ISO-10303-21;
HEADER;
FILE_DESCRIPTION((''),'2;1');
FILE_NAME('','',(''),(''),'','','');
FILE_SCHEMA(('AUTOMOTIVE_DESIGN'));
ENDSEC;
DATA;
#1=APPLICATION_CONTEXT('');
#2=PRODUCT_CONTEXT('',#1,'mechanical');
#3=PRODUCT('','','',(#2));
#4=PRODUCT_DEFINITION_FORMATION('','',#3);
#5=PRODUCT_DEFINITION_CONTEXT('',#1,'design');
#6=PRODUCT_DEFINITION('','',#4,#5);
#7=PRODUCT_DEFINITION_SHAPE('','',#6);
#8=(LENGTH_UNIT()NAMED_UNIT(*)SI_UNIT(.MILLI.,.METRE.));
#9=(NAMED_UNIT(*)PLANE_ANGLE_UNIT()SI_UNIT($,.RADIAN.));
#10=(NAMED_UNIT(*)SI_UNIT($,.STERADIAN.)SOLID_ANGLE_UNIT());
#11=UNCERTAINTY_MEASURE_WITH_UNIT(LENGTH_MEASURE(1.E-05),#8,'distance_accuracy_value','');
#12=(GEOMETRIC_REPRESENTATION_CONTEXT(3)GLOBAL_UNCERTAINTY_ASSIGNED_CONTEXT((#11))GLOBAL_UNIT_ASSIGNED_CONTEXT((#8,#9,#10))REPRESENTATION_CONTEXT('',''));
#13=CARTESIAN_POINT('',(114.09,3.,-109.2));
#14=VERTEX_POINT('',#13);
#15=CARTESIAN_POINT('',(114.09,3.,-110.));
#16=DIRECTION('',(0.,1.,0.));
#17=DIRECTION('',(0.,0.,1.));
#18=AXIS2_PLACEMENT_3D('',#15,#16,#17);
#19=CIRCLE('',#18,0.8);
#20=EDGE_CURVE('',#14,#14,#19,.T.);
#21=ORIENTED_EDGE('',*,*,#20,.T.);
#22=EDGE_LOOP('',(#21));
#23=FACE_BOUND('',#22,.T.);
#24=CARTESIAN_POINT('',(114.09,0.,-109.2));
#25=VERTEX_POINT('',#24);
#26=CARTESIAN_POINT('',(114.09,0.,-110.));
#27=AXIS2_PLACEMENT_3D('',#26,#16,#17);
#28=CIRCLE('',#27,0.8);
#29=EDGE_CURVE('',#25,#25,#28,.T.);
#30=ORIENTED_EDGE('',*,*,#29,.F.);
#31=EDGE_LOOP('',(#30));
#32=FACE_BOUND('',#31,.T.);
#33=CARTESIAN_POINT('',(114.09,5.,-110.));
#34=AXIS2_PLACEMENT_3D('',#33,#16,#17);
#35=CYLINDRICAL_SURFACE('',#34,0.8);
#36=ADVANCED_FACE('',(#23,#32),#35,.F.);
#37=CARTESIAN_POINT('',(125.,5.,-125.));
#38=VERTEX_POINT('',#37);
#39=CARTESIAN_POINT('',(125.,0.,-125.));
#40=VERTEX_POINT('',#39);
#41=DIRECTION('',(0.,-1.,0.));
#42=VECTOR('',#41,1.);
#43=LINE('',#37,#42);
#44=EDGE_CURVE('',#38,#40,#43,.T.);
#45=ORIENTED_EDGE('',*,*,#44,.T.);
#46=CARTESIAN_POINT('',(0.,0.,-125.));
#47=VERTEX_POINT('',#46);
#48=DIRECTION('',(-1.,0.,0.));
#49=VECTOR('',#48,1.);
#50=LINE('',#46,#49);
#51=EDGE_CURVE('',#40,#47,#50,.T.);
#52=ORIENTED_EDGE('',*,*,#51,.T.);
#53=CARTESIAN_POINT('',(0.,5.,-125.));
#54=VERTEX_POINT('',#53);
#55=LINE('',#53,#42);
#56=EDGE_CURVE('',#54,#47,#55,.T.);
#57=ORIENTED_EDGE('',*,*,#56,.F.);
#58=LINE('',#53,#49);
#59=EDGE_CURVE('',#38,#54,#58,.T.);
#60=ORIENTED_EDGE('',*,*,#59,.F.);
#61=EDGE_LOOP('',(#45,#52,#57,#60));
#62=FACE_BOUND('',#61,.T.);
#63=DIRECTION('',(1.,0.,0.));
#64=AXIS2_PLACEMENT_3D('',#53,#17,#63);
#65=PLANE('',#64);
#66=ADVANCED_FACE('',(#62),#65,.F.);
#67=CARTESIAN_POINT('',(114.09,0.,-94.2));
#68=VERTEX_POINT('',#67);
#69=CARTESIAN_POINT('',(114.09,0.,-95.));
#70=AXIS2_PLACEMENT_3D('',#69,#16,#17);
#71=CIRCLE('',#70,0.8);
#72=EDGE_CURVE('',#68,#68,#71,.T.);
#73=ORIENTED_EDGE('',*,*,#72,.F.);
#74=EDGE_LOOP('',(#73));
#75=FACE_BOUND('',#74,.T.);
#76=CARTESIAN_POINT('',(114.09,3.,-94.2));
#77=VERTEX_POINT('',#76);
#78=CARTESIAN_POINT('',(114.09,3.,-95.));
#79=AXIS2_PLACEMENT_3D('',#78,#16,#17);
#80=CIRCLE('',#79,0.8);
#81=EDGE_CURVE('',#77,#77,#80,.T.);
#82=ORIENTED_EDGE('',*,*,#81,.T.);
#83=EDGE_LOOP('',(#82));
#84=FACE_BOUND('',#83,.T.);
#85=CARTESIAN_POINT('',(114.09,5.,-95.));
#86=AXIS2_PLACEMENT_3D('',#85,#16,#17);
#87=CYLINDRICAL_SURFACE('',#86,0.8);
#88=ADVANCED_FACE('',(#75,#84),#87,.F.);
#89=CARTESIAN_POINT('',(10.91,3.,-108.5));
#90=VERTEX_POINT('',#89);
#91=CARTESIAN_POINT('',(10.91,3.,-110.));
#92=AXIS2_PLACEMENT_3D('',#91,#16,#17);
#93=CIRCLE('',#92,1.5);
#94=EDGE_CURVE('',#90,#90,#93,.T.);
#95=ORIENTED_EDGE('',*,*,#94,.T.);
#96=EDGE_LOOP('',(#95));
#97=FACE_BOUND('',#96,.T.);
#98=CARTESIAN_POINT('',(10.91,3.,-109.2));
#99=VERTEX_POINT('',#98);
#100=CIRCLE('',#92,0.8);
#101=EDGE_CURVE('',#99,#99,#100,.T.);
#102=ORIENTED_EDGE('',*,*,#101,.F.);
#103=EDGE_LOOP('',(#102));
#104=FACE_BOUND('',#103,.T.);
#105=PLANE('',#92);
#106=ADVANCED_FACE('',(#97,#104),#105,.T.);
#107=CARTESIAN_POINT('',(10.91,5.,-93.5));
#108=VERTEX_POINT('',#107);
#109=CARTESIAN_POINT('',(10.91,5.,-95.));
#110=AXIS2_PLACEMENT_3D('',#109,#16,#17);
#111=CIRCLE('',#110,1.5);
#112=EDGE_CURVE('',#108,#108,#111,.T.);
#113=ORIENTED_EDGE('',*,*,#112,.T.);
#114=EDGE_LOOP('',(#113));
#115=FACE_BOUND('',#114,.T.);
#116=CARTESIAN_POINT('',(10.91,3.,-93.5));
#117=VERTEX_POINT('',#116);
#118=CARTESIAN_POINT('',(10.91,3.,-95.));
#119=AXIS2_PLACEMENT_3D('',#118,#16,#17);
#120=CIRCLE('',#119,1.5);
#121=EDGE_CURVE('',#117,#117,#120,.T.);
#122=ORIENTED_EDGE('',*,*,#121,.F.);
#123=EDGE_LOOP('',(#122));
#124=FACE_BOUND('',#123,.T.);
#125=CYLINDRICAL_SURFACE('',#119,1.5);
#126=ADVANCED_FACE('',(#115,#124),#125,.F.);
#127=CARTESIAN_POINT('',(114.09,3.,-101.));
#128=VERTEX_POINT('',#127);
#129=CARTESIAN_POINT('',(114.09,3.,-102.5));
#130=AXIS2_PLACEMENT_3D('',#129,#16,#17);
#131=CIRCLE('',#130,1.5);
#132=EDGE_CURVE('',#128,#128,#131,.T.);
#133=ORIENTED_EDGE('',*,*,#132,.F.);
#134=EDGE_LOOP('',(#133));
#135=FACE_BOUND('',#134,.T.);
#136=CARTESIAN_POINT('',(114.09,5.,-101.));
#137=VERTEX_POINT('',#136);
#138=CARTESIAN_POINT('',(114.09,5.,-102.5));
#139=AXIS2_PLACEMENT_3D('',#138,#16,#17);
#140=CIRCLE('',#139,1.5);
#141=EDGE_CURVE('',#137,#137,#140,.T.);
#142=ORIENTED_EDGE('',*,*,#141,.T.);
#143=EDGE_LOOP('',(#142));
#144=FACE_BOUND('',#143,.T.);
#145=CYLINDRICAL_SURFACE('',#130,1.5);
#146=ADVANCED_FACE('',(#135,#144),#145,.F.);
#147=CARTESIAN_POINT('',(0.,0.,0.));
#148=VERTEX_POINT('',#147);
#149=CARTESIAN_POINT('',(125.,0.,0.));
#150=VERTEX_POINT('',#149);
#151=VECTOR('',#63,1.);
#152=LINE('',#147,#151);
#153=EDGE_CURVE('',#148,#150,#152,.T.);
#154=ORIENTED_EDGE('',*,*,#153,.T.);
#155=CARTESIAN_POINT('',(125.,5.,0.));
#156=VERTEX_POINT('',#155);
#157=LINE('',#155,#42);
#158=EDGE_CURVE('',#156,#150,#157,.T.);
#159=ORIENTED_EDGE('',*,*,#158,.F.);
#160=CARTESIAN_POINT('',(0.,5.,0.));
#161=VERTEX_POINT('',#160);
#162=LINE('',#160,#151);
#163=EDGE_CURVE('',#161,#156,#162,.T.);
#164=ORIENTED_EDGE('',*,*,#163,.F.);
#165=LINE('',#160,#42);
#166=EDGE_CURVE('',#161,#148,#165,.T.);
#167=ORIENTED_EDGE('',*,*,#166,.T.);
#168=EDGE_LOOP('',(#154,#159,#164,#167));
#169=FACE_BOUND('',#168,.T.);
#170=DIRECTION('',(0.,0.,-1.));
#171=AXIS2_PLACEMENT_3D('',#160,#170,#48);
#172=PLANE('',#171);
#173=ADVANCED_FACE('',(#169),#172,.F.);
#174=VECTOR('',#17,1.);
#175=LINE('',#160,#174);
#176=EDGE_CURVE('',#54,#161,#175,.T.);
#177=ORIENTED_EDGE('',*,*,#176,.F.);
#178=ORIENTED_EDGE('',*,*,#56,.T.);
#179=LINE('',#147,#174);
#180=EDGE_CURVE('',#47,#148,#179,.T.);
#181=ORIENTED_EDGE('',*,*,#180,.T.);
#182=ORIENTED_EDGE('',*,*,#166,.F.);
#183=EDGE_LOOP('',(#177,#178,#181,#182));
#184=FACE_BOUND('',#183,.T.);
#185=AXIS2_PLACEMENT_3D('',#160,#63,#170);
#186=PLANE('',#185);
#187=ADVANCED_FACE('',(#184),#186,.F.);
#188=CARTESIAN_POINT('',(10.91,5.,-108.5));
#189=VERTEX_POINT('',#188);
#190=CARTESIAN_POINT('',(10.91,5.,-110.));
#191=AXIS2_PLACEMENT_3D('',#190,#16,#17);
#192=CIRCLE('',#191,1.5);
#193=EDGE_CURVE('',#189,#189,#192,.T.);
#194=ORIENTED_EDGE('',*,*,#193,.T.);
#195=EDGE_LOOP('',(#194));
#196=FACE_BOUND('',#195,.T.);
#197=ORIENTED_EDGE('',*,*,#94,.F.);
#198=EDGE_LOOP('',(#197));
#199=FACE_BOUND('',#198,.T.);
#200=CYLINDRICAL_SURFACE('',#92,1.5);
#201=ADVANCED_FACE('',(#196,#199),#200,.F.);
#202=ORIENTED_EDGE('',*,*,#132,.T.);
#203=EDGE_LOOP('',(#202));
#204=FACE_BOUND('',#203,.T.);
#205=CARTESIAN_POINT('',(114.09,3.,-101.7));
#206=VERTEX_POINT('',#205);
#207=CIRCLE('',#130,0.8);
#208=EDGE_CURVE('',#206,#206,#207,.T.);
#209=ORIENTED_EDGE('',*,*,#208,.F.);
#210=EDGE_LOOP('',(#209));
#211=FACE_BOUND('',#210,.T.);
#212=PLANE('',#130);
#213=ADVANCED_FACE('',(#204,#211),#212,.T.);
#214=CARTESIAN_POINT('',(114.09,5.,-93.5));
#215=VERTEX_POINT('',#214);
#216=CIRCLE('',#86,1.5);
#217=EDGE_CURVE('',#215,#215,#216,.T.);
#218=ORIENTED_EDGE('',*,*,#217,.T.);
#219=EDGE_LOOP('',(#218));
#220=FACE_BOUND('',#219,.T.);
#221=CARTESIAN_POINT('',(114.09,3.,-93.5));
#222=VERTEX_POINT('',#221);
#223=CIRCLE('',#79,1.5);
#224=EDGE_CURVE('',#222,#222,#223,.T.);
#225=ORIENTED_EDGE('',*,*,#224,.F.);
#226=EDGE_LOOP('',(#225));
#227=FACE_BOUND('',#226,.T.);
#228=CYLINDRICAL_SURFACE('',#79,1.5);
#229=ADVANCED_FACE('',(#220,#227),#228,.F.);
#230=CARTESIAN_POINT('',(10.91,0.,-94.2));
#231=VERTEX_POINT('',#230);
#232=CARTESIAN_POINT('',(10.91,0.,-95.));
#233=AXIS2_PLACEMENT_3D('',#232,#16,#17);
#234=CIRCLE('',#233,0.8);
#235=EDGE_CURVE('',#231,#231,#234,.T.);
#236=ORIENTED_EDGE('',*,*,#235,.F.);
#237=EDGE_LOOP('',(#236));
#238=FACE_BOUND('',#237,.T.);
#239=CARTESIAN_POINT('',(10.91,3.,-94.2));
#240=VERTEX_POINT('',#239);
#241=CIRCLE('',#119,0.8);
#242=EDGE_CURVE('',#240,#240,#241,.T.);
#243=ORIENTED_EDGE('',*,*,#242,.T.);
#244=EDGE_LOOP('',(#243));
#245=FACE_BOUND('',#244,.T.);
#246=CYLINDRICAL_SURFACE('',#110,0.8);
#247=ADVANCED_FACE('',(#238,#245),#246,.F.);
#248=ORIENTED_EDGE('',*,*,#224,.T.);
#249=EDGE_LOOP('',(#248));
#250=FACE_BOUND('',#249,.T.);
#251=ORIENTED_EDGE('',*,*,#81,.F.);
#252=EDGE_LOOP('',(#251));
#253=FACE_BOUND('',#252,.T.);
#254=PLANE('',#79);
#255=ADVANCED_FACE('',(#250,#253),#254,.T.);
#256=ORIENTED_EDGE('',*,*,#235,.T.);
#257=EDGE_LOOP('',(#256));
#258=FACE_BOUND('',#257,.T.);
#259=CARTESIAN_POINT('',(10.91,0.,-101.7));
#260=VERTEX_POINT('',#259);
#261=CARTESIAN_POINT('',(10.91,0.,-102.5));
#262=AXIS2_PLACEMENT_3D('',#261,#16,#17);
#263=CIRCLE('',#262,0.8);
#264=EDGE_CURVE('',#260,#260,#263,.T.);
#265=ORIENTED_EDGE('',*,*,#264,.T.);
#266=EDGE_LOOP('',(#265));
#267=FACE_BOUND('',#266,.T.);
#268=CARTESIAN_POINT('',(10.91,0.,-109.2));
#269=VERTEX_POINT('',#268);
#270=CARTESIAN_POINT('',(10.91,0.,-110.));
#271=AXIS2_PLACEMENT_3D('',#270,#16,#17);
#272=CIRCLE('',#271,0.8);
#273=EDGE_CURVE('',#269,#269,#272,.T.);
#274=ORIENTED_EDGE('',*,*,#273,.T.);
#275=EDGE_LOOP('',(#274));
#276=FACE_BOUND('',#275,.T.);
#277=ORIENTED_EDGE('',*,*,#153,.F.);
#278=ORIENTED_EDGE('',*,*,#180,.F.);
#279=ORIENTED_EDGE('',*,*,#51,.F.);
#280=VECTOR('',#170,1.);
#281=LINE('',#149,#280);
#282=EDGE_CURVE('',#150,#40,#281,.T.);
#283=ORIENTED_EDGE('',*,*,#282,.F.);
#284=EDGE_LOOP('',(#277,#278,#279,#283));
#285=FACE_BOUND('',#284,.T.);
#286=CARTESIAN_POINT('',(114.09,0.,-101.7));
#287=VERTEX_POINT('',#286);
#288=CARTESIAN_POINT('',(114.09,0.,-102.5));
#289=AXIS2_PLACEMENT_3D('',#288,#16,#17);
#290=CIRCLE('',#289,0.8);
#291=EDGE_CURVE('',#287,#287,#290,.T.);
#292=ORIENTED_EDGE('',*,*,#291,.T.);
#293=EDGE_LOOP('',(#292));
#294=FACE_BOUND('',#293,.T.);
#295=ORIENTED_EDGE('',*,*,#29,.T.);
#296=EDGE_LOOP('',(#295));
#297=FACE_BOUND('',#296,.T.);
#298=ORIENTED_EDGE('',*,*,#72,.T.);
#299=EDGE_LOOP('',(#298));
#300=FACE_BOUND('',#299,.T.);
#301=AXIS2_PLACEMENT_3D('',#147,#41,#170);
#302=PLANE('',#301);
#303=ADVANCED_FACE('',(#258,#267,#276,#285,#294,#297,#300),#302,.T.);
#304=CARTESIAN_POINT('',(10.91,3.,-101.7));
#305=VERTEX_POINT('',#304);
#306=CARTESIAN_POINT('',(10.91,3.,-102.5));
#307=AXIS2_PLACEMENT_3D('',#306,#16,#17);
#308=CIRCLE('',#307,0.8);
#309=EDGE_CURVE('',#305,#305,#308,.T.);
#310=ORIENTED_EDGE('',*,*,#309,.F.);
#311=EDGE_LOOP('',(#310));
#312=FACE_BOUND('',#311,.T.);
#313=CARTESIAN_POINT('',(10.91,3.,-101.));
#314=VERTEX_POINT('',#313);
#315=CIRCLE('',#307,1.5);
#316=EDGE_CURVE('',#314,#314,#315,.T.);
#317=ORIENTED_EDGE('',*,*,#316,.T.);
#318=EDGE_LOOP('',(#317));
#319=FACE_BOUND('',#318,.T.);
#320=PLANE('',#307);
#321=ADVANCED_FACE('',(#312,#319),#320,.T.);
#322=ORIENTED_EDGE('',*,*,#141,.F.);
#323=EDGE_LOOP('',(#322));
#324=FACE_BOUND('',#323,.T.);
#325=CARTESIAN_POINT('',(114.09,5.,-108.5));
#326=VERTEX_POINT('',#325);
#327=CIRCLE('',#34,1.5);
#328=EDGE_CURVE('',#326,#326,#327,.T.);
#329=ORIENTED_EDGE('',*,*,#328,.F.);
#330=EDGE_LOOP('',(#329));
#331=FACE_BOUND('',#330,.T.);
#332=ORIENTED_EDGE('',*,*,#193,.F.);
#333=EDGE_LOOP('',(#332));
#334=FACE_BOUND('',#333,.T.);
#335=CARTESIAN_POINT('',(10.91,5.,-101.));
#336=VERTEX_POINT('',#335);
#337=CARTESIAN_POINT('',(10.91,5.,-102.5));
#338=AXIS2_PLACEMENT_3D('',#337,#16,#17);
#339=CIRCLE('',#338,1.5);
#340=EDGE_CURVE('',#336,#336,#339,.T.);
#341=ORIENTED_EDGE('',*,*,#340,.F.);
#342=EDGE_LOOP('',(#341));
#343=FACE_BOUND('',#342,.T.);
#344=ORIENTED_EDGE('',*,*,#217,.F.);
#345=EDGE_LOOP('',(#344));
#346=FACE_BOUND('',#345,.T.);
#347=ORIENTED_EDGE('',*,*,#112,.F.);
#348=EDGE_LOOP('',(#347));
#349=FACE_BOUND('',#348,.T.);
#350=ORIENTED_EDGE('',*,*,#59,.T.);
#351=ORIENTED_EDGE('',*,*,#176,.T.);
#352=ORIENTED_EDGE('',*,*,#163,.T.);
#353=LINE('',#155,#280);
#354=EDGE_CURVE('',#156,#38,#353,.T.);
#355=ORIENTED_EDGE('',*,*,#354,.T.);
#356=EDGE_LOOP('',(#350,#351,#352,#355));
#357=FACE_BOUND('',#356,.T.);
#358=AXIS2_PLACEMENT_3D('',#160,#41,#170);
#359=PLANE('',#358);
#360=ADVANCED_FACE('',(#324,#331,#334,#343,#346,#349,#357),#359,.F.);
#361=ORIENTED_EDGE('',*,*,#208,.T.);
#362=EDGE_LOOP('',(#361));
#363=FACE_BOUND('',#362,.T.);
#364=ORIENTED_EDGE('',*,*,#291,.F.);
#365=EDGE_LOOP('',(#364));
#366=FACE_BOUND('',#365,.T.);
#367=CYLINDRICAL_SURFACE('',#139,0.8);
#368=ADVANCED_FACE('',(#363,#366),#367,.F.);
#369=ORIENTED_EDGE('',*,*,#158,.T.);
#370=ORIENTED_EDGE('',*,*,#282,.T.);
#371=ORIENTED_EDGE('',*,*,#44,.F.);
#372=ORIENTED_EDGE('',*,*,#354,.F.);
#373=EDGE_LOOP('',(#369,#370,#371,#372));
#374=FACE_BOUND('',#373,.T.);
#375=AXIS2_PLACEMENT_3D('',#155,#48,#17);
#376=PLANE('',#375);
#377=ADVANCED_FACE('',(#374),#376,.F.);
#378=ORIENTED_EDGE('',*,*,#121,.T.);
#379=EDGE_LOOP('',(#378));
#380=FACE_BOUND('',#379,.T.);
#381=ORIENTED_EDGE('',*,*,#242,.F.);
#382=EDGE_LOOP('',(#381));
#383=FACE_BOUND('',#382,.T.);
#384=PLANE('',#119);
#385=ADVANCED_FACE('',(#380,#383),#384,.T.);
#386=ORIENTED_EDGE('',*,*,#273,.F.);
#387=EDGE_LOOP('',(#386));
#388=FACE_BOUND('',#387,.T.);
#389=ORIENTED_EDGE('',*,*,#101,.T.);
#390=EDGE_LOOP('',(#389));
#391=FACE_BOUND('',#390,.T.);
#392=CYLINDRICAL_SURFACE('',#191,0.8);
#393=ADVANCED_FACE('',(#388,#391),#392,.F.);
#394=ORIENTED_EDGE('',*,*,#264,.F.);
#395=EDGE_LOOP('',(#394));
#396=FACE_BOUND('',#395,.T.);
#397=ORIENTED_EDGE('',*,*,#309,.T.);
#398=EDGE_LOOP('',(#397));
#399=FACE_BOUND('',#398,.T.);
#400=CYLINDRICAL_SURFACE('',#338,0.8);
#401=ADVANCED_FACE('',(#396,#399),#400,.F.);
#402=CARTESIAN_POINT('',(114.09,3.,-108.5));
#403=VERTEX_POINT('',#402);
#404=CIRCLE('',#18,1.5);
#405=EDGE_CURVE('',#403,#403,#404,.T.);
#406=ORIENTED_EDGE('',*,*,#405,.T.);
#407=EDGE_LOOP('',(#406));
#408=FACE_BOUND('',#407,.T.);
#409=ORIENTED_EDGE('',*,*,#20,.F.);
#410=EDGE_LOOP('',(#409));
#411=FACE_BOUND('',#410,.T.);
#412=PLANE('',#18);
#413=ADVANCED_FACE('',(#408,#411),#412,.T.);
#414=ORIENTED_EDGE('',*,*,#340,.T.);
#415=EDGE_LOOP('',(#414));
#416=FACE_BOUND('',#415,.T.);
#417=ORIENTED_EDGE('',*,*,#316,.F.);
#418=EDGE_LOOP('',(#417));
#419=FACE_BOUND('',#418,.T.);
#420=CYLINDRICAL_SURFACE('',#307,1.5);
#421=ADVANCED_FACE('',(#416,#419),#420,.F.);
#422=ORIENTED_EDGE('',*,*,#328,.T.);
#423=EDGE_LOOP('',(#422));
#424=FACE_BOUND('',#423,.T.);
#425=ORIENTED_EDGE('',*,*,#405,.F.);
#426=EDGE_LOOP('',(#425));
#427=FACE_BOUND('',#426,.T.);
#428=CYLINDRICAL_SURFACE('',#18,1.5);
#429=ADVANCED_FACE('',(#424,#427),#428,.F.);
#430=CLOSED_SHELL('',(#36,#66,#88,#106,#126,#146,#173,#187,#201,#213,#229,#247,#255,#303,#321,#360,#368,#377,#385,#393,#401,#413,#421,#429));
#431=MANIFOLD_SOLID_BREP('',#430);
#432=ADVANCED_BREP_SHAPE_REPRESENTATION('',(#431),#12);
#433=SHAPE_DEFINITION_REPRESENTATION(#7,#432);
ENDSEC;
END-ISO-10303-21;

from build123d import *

# Parameters (mm, degrees)
SKETCH1_W                             = 125
SKETCH1_H                             = 125
BOSS_EXTRUDE1_DEPTH                   = 5
SKETCH2_R                             = 1.5
CUT_EXTRUDE1_DEPTH                    = 2
TAP_DRILL_FOR_M2X0_4_TAP1_D           = 1.6
TAP_DRILL_FOR_M2X0_4_TAP1_CSINK_D     = 1.65
TAP_DRILL_FOR_M2X0_4_TAP1_CSINK_ANGLE = 90


with BuildPart() as part:
    # Sketch1 → Boss-Extrude1 (new body)
    with BuildSketch(Plane(origin=(0, 0, 0), x_dir=(1, 0, 0), z_dir=(0, 1, 0))):
        with Locations((62.5, 62.5)):
            Rectangle(SKETCH1_W, SKETCH1_H)
    extrude(amount=BOSS_EXTRUDE1_DEPTH)

    # Sketch2 → Cut-Extrude1 (cut)
    with BuildSketch(Plane(origin=(0, 5, 0), x_dir=(1, 0, 0), z_dir=(0, 1, 0))):
        with Locations(Location((10.91, 95, 0), (0, 0, 270))):
            Circle(SKETCH2_R)
        with Locations(Location((10.91, 110, 0), (0, 0, 270))):
            Circle(SKETCH2_R)
        with Locations(Location((114.09, 110, 0), (0, 0, 270))):
            Circle(SKETCH2_R)
        with Locations(Location((114.09, 95, 0), (0, 0, 270))):
            Circle(SKETCH2_R)
        with Locations(Location((114.09, 102.5, 0), (0, 0, 270))):
            Circle(SKETCH2_R)
        with Locations(Location((10.91, 102.5, 0), (0, 0, 270))):
            Circle(SKETCH2_R)
    extrude(amount=-CUT_EXTRUDE1_DEPTH, mode=Mode.SUBTRACT)

    # Tap Drill for M2x0.4 Tap1 (through all)
    with Locations(Plane(origin=(0, 5, 0), x_dir=(1, 0, 0), z_dir=(0, 1, 0))):
        with Locations((10.91, 95), (10.91, 110), (114.09, 110), (114.09, 95), (10.91, 102.5), (114.09, 102.5)):
            CounterSinkHole(TAP_DRILL_FOR_M2X0_4_TAP1_D / 2, TAP_DRILL_FOR_M2X0_4_TAP1_CSINK_D / 2, counter_sink_angle=TAP_DRILL_FOR_M2X0_4_TAP1_CSINK_ANGLE)


solid = part.part
